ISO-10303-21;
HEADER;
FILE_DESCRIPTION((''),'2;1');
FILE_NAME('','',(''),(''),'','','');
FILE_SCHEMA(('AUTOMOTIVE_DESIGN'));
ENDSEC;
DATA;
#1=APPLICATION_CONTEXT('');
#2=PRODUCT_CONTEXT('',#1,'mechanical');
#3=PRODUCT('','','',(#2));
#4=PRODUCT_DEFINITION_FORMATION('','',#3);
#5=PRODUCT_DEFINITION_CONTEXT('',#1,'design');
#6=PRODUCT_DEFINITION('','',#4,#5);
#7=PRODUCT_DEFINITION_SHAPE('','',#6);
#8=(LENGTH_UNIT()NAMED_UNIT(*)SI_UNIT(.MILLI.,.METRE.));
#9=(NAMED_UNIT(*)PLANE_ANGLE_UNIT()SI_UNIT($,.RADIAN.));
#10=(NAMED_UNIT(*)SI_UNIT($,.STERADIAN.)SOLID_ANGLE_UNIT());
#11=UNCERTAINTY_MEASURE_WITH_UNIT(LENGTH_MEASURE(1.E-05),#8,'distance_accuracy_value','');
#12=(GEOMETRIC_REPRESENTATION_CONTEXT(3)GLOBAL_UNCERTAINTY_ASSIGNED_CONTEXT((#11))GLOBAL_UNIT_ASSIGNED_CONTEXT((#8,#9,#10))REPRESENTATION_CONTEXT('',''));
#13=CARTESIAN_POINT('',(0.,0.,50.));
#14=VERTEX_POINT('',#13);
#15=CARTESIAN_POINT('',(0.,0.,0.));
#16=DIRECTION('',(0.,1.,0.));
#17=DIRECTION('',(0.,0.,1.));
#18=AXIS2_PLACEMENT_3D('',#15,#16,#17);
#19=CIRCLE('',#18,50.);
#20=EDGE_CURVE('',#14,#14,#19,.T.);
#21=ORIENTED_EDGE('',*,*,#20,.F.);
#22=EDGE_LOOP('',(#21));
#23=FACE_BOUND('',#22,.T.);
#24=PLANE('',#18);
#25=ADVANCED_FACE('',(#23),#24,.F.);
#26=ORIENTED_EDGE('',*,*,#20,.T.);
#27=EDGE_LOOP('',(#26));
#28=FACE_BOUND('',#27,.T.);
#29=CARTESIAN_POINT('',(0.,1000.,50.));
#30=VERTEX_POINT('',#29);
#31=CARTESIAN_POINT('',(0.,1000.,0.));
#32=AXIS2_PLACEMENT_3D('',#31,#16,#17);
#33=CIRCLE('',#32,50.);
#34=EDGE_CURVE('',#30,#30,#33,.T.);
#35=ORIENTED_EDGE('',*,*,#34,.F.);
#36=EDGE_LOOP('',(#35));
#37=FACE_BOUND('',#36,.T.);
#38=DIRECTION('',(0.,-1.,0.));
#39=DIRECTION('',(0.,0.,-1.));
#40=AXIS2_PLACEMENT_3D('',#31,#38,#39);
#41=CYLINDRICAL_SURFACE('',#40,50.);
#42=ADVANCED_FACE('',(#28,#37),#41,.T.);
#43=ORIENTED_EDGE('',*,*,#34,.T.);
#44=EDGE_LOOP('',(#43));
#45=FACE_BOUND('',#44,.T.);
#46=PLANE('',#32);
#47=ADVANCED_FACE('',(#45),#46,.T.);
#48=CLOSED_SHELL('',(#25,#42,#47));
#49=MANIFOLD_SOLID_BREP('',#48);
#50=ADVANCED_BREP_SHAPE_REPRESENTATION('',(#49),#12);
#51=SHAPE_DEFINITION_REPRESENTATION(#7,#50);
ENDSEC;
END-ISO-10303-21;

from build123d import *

# Parameters (mm, degrees)
SKETCH1_R           = 50
BOSS_EXTRUDE1_DEPTH = 1000


with BuildPart() as part:
    # Sketch1 → Boss-Extrude1 (new body)
    with BuildSketch(Plane(origin=(0, 0, 0), x_dir=(1, 0, 0), z_dir=(0, 1, 0))):
        with Locations(Location((0, 0, 0), (0, 0, 270))):
            Circle(SKETCH1_R)
    extrude(amount=BOSS_EXTRUDE1_DEPTH)


solid = part.part
